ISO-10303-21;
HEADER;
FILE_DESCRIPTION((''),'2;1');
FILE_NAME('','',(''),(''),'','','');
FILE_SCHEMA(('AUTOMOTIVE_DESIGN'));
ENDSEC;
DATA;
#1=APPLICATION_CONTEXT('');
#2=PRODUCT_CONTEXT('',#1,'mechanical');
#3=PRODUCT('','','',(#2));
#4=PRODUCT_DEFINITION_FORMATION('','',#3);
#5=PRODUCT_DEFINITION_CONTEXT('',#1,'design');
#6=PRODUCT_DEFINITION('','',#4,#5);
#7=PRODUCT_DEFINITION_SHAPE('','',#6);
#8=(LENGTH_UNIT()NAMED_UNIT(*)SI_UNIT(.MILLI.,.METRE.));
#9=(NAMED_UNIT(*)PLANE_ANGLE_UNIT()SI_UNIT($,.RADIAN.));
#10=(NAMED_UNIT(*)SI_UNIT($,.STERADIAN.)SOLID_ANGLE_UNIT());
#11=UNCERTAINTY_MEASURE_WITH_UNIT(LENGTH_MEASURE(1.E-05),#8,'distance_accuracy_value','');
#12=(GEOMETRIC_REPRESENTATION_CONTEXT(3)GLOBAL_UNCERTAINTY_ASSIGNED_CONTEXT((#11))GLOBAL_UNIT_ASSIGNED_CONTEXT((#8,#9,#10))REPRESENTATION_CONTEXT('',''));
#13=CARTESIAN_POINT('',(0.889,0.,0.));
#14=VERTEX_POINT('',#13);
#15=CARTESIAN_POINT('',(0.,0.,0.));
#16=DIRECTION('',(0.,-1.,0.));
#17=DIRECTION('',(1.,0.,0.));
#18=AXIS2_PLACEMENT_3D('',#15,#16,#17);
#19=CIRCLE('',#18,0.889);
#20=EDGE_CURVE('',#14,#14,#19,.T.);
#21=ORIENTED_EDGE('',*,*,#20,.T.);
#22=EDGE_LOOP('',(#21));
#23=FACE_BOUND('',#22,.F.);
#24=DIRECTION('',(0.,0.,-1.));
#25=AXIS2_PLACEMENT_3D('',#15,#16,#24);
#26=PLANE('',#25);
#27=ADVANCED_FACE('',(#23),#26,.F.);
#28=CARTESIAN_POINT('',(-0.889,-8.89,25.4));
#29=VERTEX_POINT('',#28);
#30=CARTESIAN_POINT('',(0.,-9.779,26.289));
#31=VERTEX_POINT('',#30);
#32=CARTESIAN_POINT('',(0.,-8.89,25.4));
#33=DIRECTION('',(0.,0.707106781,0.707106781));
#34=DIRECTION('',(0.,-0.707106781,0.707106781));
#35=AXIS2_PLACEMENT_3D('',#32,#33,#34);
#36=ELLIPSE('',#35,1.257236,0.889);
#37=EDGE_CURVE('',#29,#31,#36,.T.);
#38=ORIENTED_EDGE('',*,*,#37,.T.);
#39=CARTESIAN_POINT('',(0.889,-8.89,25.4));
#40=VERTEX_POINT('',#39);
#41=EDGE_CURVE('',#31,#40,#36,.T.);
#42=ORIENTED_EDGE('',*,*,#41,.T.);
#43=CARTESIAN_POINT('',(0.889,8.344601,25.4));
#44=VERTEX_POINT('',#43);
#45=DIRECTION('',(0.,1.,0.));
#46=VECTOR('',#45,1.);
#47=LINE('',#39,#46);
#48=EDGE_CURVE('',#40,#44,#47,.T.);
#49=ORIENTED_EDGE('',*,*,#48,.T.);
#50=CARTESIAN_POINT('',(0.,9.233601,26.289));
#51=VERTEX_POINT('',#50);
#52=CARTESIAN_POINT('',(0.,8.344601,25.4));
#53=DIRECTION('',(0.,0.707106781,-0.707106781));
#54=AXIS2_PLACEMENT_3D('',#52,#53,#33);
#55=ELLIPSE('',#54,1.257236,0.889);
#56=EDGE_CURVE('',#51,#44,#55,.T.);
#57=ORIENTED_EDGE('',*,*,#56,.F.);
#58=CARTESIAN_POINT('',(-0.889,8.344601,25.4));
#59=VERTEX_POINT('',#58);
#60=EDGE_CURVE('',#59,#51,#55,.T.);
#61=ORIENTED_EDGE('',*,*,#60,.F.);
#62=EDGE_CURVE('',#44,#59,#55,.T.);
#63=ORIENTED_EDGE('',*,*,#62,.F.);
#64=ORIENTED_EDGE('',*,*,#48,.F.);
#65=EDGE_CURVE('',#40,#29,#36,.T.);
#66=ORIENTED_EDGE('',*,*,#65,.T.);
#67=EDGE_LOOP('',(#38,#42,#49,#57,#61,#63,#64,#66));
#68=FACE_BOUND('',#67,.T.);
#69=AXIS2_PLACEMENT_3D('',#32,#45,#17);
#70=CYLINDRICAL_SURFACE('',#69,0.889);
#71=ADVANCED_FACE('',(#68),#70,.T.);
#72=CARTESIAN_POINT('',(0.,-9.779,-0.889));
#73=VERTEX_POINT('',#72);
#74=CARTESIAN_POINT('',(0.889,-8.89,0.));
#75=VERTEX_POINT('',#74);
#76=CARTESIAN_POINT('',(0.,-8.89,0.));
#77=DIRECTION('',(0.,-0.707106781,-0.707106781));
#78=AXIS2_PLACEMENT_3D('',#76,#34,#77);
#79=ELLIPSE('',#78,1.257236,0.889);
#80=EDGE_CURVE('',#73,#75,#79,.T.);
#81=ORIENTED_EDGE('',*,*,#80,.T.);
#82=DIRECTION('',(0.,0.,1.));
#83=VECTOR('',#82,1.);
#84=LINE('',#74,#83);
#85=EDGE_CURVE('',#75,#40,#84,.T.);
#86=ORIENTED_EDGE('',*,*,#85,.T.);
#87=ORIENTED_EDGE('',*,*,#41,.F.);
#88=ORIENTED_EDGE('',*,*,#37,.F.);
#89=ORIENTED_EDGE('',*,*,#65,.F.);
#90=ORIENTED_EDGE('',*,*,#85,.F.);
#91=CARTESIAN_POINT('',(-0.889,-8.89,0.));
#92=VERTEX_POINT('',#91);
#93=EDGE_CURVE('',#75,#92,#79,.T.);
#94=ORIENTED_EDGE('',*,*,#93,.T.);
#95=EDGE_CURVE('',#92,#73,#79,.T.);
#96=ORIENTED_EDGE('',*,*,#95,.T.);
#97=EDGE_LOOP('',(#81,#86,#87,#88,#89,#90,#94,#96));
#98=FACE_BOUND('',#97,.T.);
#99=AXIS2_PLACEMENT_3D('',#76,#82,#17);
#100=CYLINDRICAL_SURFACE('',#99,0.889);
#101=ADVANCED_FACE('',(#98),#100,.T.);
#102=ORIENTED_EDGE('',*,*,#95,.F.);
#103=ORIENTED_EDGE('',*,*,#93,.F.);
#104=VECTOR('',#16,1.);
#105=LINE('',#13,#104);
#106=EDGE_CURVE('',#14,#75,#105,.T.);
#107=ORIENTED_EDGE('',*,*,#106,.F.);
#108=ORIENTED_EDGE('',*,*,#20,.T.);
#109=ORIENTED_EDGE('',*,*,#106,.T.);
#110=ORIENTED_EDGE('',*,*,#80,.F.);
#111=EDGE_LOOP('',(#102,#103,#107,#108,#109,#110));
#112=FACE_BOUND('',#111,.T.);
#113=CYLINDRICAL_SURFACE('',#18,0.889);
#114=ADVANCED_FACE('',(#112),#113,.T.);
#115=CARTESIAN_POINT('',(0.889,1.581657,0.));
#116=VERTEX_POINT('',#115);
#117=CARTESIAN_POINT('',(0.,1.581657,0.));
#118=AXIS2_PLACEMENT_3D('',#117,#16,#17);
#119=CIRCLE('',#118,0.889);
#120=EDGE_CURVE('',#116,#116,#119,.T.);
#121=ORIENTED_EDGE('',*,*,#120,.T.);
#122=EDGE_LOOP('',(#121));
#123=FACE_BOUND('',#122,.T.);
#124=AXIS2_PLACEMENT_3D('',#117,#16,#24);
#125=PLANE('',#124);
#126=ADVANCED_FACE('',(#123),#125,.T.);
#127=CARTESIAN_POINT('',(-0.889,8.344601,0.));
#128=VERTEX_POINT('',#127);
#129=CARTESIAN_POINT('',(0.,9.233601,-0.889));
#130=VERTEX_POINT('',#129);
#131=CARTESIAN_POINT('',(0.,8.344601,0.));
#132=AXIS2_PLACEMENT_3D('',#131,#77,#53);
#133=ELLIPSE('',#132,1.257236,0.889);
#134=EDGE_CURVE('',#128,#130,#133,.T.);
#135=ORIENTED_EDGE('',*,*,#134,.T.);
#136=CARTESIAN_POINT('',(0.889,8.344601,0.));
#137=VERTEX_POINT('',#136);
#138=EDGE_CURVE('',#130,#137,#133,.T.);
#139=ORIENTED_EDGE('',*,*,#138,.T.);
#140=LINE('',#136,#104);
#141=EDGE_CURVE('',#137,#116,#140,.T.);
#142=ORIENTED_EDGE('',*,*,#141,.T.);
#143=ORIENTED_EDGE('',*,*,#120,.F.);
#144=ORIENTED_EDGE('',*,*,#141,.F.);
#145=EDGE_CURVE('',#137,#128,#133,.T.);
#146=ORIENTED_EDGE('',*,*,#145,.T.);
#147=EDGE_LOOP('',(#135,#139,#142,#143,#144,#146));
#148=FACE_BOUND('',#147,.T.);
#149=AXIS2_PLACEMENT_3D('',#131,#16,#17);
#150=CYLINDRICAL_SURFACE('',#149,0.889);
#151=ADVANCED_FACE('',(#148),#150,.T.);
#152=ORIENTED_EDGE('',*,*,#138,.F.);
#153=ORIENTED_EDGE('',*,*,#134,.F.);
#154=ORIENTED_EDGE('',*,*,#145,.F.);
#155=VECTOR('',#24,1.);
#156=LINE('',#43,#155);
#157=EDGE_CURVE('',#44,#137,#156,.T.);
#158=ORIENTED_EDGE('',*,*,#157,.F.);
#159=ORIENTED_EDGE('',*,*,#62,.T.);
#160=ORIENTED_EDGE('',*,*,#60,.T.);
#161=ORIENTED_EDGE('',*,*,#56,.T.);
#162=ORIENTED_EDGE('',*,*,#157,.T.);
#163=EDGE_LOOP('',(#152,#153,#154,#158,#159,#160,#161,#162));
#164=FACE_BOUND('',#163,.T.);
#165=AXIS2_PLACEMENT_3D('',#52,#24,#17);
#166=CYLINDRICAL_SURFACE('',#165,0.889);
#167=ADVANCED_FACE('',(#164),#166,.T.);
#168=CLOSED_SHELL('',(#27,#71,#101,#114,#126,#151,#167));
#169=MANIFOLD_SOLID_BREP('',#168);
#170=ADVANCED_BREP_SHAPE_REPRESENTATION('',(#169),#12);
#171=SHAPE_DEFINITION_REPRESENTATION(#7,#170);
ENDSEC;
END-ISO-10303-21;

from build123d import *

# Parameters (mm, degrees)
F0_R = 0.889


with BuildPart() as f2:
    # F2: sweep along a path in F1
    with BuildLine(Plane.YZ) as f2_path:
        Line((0, 0), (-8.89, 0))
        Line((-8.89, 0), (-8.89, 25.4))
        Line((-8.89, 25.4), (8.3446010148, 25.4))
        Line((8.3446010148, 25.4), (8.3446010148, 0))
        Line((8.3446010148, 0), (1.5816572689, 0))
    # F0 (on Front) → F2 (sweep)
    with BuildSketch(Plane.XZ):
        Circle(F0_R)
    sweep(path=f2_path.line, transition=Transition.RIGHT)


solid = f2.part
